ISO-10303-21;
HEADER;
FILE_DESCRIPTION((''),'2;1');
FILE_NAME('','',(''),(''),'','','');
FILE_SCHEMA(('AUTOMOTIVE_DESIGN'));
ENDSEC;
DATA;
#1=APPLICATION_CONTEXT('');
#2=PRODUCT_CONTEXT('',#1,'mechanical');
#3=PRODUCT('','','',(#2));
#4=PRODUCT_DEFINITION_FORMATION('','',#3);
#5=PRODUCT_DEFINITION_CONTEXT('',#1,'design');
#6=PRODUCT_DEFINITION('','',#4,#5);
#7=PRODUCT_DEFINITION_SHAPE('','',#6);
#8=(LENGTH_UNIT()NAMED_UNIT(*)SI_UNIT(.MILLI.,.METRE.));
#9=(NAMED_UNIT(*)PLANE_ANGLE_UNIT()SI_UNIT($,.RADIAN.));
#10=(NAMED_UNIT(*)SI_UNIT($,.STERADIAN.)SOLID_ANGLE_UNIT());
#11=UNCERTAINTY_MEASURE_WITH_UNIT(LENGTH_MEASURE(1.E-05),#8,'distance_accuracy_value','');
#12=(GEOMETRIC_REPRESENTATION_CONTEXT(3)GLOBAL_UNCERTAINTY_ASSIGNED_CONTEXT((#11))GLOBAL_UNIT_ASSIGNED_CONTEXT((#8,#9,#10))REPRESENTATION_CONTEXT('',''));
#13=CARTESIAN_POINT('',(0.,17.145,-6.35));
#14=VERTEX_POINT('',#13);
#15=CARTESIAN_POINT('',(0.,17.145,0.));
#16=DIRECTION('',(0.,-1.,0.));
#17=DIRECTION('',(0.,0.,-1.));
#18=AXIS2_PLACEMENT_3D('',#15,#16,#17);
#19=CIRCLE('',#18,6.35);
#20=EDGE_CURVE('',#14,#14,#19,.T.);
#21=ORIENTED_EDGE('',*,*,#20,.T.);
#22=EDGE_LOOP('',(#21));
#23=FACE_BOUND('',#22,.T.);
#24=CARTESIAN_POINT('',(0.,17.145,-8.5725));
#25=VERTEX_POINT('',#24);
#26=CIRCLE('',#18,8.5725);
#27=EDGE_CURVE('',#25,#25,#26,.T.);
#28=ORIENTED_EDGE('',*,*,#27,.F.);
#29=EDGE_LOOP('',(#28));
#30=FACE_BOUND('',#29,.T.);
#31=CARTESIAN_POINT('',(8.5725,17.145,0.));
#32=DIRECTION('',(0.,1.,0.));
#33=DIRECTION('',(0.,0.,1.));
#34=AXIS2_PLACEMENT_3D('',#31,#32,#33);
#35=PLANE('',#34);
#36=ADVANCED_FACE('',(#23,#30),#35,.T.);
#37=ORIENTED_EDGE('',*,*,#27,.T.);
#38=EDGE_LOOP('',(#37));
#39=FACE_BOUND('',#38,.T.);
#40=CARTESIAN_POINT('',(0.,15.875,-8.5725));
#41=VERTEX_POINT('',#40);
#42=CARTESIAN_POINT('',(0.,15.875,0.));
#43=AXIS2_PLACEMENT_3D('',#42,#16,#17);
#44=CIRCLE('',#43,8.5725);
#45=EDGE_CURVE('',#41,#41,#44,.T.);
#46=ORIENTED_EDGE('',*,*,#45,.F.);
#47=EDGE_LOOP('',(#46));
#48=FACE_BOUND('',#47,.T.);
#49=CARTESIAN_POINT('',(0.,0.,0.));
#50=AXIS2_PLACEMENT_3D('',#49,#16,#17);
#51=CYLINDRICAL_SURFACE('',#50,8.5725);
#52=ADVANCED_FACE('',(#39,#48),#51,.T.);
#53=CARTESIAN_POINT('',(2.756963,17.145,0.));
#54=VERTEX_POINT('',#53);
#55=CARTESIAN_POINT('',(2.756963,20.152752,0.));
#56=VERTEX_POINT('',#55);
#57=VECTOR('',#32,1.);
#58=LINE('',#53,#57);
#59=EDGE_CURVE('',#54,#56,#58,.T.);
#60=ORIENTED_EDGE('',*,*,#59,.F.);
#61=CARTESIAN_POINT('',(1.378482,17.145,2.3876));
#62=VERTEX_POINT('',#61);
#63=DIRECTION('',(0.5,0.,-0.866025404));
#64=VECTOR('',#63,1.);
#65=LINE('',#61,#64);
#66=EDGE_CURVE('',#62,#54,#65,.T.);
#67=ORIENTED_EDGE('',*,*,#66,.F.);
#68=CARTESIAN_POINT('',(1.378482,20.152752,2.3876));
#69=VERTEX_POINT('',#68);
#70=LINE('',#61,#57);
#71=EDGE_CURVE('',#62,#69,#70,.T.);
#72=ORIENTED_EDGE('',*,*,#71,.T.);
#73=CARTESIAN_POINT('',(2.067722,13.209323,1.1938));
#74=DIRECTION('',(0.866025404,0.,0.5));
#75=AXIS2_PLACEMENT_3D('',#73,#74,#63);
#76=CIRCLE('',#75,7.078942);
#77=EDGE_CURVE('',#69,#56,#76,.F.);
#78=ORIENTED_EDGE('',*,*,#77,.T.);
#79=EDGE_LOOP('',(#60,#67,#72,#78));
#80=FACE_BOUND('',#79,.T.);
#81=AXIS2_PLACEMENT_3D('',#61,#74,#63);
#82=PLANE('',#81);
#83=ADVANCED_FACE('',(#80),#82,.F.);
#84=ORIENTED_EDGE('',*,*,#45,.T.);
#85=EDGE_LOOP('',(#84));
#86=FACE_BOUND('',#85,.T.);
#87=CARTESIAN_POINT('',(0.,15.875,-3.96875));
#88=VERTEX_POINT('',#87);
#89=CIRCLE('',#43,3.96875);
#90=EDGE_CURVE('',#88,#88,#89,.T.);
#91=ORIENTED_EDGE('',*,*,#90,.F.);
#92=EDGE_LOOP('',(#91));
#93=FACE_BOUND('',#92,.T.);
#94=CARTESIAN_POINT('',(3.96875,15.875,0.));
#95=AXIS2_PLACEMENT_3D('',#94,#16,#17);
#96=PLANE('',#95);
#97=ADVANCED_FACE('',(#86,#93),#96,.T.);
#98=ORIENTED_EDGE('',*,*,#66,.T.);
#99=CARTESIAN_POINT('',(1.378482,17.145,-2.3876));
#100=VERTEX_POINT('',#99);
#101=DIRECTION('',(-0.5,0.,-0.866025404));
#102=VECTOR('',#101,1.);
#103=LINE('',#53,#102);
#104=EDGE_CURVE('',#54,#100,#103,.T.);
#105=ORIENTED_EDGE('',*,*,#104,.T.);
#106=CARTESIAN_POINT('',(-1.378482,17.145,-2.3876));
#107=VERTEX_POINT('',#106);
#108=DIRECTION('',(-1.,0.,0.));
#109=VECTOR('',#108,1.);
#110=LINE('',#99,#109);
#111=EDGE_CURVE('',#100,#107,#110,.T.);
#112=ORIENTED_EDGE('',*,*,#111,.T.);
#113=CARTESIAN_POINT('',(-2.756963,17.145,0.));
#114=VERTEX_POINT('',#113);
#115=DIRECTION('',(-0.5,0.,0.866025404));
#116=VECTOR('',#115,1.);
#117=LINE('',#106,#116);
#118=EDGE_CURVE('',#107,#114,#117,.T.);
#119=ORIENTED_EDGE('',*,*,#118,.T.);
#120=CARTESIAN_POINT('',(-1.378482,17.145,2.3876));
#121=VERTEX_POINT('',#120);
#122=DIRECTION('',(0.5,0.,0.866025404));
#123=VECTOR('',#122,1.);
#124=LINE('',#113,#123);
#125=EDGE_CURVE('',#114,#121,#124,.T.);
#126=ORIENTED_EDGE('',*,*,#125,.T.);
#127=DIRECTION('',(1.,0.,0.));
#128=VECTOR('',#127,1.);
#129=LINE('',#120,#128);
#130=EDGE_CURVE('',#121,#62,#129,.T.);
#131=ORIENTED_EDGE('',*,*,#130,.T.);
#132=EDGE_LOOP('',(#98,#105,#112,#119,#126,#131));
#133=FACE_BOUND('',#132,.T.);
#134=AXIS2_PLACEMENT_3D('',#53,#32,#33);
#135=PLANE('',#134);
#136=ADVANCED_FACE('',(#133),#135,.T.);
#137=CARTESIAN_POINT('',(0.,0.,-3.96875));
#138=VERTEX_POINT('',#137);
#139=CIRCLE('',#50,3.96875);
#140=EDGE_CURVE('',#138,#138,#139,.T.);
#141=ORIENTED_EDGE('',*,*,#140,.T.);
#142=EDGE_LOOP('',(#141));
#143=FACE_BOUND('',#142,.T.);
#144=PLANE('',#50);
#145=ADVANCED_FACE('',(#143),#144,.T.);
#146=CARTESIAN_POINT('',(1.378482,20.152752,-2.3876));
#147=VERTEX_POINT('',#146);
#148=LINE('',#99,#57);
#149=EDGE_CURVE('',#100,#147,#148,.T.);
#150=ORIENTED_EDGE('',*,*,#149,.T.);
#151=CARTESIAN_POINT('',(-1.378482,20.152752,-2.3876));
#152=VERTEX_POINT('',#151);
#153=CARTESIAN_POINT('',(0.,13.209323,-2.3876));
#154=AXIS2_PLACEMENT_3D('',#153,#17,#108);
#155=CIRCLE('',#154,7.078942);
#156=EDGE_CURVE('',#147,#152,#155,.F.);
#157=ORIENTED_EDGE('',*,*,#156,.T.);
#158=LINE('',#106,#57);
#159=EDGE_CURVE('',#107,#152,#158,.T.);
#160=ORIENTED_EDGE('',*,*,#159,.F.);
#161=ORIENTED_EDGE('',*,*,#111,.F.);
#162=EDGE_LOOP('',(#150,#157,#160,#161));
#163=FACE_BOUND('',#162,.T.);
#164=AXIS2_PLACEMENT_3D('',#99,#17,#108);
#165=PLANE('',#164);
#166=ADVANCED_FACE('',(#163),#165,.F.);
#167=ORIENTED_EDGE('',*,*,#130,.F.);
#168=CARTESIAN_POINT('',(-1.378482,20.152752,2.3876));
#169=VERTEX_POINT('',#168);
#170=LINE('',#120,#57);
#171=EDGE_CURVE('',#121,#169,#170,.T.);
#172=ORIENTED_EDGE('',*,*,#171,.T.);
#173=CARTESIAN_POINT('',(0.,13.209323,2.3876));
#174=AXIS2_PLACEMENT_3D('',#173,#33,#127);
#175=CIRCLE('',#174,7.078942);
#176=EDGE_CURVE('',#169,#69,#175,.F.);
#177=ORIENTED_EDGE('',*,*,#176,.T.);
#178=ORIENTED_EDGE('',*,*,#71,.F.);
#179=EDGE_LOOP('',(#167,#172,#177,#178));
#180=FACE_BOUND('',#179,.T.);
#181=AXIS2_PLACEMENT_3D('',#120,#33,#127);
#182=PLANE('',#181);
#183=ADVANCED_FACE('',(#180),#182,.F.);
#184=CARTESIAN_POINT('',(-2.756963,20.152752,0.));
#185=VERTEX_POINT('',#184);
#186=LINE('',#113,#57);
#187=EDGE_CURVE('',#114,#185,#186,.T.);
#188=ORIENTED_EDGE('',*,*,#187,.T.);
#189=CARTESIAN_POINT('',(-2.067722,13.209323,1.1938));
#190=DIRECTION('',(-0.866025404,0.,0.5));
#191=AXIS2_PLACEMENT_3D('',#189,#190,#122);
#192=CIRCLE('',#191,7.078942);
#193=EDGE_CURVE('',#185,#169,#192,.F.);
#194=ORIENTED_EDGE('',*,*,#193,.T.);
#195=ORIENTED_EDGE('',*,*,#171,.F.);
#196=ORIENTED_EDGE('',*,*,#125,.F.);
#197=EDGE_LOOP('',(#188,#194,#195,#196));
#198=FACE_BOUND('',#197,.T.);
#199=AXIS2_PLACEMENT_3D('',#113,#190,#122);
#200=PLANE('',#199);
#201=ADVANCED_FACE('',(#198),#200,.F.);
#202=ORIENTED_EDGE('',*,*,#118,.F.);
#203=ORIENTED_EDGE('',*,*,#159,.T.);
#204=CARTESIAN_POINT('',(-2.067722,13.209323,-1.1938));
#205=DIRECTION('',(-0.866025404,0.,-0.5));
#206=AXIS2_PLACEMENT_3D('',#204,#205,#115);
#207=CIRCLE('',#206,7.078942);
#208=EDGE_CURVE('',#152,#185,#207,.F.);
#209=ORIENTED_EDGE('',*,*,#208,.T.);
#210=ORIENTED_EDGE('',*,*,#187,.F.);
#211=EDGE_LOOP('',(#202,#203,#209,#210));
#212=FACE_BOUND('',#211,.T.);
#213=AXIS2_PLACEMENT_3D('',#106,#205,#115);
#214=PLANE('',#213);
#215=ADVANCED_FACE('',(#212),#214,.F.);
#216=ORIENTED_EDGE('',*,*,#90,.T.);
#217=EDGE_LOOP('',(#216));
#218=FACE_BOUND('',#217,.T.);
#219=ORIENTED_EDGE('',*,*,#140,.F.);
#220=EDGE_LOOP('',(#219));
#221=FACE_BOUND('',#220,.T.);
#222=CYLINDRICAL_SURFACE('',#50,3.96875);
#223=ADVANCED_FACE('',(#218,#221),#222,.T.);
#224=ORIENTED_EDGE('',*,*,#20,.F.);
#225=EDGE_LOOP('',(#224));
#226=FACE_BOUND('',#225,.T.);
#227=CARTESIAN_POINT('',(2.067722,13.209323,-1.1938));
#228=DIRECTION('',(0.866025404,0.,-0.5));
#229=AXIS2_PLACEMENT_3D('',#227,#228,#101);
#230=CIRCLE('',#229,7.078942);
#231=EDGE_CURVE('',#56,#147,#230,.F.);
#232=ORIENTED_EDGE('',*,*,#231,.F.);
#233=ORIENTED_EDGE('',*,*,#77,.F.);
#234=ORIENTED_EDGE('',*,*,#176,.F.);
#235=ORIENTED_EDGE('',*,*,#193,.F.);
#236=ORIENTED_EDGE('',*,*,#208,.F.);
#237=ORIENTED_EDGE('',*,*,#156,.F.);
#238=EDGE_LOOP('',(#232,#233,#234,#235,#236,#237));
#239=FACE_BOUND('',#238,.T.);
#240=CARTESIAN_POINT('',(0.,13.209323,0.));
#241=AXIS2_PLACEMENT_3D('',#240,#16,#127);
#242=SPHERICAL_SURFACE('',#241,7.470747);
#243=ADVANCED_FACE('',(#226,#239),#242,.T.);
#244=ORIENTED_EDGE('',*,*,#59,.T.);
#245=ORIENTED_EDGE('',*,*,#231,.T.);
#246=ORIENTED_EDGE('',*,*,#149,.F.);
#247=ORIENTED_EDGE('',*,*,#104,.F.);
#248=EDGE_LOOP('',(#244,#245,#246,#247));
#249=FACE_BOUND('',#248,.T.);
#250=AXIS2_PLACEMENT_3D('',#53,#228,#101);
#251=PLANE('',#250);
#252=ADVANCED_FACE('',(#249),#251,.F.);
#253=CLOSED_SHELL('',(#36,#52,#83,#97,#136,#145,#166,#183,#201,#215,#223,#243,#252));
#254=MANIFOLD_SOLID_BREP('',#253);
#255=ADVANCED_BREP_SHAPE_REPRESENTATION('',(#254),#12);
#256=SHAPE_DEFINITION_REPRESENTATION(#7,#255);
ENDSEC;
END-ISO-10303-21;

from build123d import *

# Parameters (mm, degrees)
HEX_CUT_DEPTH = 3.175


with BuildPart() as part:
    # Sketch1 → Screw revolve (revolve)
    with BuildSketch(Plane.XY):
        with BuildLine():
            Line((0, 0), (3.96875, 0))
            Line((3.96875, 0), (3.96875, 15.875))
            Line((3.96875, 15.875), (8.5725, 15.875))
            Line((8.5725, 15.875), (8.5725, 17.145))
            Line((8.5725, 17.145), (6.35, 17.145))
            ThreePointArc((6.35, 17.145), (4.603088863, 19.093507399), (2.291358881, 20.32))
            Line((2.291358881, 20.32), (0, 20.32))
            Line((0, 20.32), (0, 0))
        make_face()
    revolve(axis=Axis((0, 0, 0), (0, 1, 0)))

    # Sketch2 → Hex Cut (cut)
    with BuildSketch(Plane(origin=(0, 20.32, 0), x_dir=(-1, 0, 0), z_dir=(0, 1, 0))):
        Polygon((-2.756963005, 0), (-1.378481503, -2.3876), (1.378481503, -2.3876), (2.756963005, 0), (1.378481503, 2.3876), (-1.378481503, 2.3876), align=None)
    extrude(amount=-HEX_CUT_DEPTH, mode=Mode.SUBTRACT)


solid = part.part
